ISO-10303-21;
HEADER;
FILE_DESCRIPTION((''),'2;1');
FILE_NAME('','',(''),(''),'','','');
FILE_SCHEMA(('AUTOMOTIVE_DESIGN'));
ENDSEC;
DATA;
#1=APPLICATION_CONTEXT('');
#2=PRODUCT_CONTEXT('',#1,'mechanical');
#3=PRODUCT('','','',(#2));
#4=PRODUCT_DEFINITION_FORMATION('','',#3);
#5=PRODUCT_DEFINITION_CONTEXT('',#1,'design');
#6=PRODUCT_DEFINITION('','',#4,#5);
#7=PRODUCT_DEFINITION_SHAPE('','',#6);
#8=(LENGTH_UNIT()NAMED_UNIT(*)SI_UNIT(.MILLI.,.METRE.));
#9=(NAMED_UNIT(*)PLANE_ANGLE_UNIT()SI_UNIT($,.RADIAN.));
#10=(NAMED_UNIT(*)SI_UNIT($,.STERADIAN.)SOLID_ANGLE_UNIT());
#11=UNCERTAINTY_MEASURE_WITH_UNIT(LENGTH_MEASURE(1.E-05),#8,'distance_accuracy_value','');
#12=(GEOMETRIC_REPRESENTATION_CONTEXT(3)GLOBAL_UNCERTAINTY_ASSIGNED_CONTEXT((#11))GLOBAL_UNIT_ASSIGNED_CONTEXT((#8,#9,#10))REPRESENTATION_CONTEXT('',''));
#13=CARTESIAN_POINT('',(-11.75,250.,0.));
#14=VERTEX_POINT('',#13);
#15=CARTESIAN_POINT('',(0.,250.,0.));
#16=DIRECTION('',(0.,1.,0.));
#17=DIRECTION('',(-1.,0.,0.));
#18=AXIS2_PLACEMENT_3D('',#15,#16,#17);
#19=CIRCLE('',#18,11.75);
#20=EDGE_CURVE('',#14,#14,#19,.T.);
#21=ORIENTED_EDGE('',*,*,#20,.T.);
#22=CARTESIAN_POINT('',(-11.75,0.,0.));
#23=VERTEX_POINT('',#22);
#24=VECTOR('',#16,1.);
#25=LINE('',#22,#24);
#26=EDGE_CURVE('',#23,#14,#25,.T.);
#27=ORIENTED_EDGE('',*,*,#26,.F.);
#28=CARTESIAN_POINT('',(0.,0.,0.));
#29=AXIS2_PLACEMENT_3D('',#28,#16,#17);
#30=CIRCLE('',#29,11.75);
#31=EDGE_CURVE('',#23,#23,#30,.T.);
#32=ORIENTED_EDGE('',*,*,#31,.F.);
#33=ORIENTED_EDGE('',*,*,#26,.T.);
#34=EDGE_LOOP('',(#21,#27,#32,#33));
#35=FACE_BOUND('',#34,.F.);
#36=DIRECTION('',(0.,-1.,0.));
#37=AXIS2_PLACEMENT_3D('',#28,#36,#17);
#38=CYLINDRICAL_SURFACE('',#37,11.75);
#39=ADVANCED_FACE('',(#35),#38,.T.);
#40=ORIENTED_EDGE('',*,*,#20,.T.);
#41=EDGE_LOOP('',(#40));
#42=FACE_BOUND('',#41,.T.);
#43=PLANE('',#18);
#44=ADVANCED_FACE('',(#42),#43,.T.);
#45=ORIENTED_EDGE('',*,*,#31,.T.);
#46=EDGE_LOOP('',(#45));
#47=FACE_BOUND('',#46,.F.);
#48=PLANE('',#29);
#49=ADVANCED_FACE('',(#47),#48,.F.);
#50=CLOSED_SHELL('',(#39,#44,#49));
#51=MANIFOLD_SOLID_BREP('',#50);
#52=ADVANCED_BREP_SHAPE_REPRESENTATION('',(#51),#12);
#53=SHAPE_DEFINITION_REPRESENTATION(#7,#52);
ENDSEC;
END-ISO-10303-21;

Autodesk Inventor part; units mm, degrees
ref_plane "YZ Plane" through (0, 0, 0) normal (1, 0, 0) x (0, 1, 0)
ref_plane "XZ Plane" through (0, 0, 0) normal (0, 1, 0) x (-1, 0, 0)
ref_plane "XY Plane" through (0, 0, 0) normal (0, 0, 1) x (1, 0, 0)
sketch "Sketch1" plane through (0, 0, 0) normal (0, 1, 0) x (-1, 0, 0)
  circle A0 centre (0, 0) radius 11.75
  dimension "d0" = 23.5
extrude "Extrusion1" add sketch "Sketch1" along normal blind 250
properties part number "50cm_rod"
